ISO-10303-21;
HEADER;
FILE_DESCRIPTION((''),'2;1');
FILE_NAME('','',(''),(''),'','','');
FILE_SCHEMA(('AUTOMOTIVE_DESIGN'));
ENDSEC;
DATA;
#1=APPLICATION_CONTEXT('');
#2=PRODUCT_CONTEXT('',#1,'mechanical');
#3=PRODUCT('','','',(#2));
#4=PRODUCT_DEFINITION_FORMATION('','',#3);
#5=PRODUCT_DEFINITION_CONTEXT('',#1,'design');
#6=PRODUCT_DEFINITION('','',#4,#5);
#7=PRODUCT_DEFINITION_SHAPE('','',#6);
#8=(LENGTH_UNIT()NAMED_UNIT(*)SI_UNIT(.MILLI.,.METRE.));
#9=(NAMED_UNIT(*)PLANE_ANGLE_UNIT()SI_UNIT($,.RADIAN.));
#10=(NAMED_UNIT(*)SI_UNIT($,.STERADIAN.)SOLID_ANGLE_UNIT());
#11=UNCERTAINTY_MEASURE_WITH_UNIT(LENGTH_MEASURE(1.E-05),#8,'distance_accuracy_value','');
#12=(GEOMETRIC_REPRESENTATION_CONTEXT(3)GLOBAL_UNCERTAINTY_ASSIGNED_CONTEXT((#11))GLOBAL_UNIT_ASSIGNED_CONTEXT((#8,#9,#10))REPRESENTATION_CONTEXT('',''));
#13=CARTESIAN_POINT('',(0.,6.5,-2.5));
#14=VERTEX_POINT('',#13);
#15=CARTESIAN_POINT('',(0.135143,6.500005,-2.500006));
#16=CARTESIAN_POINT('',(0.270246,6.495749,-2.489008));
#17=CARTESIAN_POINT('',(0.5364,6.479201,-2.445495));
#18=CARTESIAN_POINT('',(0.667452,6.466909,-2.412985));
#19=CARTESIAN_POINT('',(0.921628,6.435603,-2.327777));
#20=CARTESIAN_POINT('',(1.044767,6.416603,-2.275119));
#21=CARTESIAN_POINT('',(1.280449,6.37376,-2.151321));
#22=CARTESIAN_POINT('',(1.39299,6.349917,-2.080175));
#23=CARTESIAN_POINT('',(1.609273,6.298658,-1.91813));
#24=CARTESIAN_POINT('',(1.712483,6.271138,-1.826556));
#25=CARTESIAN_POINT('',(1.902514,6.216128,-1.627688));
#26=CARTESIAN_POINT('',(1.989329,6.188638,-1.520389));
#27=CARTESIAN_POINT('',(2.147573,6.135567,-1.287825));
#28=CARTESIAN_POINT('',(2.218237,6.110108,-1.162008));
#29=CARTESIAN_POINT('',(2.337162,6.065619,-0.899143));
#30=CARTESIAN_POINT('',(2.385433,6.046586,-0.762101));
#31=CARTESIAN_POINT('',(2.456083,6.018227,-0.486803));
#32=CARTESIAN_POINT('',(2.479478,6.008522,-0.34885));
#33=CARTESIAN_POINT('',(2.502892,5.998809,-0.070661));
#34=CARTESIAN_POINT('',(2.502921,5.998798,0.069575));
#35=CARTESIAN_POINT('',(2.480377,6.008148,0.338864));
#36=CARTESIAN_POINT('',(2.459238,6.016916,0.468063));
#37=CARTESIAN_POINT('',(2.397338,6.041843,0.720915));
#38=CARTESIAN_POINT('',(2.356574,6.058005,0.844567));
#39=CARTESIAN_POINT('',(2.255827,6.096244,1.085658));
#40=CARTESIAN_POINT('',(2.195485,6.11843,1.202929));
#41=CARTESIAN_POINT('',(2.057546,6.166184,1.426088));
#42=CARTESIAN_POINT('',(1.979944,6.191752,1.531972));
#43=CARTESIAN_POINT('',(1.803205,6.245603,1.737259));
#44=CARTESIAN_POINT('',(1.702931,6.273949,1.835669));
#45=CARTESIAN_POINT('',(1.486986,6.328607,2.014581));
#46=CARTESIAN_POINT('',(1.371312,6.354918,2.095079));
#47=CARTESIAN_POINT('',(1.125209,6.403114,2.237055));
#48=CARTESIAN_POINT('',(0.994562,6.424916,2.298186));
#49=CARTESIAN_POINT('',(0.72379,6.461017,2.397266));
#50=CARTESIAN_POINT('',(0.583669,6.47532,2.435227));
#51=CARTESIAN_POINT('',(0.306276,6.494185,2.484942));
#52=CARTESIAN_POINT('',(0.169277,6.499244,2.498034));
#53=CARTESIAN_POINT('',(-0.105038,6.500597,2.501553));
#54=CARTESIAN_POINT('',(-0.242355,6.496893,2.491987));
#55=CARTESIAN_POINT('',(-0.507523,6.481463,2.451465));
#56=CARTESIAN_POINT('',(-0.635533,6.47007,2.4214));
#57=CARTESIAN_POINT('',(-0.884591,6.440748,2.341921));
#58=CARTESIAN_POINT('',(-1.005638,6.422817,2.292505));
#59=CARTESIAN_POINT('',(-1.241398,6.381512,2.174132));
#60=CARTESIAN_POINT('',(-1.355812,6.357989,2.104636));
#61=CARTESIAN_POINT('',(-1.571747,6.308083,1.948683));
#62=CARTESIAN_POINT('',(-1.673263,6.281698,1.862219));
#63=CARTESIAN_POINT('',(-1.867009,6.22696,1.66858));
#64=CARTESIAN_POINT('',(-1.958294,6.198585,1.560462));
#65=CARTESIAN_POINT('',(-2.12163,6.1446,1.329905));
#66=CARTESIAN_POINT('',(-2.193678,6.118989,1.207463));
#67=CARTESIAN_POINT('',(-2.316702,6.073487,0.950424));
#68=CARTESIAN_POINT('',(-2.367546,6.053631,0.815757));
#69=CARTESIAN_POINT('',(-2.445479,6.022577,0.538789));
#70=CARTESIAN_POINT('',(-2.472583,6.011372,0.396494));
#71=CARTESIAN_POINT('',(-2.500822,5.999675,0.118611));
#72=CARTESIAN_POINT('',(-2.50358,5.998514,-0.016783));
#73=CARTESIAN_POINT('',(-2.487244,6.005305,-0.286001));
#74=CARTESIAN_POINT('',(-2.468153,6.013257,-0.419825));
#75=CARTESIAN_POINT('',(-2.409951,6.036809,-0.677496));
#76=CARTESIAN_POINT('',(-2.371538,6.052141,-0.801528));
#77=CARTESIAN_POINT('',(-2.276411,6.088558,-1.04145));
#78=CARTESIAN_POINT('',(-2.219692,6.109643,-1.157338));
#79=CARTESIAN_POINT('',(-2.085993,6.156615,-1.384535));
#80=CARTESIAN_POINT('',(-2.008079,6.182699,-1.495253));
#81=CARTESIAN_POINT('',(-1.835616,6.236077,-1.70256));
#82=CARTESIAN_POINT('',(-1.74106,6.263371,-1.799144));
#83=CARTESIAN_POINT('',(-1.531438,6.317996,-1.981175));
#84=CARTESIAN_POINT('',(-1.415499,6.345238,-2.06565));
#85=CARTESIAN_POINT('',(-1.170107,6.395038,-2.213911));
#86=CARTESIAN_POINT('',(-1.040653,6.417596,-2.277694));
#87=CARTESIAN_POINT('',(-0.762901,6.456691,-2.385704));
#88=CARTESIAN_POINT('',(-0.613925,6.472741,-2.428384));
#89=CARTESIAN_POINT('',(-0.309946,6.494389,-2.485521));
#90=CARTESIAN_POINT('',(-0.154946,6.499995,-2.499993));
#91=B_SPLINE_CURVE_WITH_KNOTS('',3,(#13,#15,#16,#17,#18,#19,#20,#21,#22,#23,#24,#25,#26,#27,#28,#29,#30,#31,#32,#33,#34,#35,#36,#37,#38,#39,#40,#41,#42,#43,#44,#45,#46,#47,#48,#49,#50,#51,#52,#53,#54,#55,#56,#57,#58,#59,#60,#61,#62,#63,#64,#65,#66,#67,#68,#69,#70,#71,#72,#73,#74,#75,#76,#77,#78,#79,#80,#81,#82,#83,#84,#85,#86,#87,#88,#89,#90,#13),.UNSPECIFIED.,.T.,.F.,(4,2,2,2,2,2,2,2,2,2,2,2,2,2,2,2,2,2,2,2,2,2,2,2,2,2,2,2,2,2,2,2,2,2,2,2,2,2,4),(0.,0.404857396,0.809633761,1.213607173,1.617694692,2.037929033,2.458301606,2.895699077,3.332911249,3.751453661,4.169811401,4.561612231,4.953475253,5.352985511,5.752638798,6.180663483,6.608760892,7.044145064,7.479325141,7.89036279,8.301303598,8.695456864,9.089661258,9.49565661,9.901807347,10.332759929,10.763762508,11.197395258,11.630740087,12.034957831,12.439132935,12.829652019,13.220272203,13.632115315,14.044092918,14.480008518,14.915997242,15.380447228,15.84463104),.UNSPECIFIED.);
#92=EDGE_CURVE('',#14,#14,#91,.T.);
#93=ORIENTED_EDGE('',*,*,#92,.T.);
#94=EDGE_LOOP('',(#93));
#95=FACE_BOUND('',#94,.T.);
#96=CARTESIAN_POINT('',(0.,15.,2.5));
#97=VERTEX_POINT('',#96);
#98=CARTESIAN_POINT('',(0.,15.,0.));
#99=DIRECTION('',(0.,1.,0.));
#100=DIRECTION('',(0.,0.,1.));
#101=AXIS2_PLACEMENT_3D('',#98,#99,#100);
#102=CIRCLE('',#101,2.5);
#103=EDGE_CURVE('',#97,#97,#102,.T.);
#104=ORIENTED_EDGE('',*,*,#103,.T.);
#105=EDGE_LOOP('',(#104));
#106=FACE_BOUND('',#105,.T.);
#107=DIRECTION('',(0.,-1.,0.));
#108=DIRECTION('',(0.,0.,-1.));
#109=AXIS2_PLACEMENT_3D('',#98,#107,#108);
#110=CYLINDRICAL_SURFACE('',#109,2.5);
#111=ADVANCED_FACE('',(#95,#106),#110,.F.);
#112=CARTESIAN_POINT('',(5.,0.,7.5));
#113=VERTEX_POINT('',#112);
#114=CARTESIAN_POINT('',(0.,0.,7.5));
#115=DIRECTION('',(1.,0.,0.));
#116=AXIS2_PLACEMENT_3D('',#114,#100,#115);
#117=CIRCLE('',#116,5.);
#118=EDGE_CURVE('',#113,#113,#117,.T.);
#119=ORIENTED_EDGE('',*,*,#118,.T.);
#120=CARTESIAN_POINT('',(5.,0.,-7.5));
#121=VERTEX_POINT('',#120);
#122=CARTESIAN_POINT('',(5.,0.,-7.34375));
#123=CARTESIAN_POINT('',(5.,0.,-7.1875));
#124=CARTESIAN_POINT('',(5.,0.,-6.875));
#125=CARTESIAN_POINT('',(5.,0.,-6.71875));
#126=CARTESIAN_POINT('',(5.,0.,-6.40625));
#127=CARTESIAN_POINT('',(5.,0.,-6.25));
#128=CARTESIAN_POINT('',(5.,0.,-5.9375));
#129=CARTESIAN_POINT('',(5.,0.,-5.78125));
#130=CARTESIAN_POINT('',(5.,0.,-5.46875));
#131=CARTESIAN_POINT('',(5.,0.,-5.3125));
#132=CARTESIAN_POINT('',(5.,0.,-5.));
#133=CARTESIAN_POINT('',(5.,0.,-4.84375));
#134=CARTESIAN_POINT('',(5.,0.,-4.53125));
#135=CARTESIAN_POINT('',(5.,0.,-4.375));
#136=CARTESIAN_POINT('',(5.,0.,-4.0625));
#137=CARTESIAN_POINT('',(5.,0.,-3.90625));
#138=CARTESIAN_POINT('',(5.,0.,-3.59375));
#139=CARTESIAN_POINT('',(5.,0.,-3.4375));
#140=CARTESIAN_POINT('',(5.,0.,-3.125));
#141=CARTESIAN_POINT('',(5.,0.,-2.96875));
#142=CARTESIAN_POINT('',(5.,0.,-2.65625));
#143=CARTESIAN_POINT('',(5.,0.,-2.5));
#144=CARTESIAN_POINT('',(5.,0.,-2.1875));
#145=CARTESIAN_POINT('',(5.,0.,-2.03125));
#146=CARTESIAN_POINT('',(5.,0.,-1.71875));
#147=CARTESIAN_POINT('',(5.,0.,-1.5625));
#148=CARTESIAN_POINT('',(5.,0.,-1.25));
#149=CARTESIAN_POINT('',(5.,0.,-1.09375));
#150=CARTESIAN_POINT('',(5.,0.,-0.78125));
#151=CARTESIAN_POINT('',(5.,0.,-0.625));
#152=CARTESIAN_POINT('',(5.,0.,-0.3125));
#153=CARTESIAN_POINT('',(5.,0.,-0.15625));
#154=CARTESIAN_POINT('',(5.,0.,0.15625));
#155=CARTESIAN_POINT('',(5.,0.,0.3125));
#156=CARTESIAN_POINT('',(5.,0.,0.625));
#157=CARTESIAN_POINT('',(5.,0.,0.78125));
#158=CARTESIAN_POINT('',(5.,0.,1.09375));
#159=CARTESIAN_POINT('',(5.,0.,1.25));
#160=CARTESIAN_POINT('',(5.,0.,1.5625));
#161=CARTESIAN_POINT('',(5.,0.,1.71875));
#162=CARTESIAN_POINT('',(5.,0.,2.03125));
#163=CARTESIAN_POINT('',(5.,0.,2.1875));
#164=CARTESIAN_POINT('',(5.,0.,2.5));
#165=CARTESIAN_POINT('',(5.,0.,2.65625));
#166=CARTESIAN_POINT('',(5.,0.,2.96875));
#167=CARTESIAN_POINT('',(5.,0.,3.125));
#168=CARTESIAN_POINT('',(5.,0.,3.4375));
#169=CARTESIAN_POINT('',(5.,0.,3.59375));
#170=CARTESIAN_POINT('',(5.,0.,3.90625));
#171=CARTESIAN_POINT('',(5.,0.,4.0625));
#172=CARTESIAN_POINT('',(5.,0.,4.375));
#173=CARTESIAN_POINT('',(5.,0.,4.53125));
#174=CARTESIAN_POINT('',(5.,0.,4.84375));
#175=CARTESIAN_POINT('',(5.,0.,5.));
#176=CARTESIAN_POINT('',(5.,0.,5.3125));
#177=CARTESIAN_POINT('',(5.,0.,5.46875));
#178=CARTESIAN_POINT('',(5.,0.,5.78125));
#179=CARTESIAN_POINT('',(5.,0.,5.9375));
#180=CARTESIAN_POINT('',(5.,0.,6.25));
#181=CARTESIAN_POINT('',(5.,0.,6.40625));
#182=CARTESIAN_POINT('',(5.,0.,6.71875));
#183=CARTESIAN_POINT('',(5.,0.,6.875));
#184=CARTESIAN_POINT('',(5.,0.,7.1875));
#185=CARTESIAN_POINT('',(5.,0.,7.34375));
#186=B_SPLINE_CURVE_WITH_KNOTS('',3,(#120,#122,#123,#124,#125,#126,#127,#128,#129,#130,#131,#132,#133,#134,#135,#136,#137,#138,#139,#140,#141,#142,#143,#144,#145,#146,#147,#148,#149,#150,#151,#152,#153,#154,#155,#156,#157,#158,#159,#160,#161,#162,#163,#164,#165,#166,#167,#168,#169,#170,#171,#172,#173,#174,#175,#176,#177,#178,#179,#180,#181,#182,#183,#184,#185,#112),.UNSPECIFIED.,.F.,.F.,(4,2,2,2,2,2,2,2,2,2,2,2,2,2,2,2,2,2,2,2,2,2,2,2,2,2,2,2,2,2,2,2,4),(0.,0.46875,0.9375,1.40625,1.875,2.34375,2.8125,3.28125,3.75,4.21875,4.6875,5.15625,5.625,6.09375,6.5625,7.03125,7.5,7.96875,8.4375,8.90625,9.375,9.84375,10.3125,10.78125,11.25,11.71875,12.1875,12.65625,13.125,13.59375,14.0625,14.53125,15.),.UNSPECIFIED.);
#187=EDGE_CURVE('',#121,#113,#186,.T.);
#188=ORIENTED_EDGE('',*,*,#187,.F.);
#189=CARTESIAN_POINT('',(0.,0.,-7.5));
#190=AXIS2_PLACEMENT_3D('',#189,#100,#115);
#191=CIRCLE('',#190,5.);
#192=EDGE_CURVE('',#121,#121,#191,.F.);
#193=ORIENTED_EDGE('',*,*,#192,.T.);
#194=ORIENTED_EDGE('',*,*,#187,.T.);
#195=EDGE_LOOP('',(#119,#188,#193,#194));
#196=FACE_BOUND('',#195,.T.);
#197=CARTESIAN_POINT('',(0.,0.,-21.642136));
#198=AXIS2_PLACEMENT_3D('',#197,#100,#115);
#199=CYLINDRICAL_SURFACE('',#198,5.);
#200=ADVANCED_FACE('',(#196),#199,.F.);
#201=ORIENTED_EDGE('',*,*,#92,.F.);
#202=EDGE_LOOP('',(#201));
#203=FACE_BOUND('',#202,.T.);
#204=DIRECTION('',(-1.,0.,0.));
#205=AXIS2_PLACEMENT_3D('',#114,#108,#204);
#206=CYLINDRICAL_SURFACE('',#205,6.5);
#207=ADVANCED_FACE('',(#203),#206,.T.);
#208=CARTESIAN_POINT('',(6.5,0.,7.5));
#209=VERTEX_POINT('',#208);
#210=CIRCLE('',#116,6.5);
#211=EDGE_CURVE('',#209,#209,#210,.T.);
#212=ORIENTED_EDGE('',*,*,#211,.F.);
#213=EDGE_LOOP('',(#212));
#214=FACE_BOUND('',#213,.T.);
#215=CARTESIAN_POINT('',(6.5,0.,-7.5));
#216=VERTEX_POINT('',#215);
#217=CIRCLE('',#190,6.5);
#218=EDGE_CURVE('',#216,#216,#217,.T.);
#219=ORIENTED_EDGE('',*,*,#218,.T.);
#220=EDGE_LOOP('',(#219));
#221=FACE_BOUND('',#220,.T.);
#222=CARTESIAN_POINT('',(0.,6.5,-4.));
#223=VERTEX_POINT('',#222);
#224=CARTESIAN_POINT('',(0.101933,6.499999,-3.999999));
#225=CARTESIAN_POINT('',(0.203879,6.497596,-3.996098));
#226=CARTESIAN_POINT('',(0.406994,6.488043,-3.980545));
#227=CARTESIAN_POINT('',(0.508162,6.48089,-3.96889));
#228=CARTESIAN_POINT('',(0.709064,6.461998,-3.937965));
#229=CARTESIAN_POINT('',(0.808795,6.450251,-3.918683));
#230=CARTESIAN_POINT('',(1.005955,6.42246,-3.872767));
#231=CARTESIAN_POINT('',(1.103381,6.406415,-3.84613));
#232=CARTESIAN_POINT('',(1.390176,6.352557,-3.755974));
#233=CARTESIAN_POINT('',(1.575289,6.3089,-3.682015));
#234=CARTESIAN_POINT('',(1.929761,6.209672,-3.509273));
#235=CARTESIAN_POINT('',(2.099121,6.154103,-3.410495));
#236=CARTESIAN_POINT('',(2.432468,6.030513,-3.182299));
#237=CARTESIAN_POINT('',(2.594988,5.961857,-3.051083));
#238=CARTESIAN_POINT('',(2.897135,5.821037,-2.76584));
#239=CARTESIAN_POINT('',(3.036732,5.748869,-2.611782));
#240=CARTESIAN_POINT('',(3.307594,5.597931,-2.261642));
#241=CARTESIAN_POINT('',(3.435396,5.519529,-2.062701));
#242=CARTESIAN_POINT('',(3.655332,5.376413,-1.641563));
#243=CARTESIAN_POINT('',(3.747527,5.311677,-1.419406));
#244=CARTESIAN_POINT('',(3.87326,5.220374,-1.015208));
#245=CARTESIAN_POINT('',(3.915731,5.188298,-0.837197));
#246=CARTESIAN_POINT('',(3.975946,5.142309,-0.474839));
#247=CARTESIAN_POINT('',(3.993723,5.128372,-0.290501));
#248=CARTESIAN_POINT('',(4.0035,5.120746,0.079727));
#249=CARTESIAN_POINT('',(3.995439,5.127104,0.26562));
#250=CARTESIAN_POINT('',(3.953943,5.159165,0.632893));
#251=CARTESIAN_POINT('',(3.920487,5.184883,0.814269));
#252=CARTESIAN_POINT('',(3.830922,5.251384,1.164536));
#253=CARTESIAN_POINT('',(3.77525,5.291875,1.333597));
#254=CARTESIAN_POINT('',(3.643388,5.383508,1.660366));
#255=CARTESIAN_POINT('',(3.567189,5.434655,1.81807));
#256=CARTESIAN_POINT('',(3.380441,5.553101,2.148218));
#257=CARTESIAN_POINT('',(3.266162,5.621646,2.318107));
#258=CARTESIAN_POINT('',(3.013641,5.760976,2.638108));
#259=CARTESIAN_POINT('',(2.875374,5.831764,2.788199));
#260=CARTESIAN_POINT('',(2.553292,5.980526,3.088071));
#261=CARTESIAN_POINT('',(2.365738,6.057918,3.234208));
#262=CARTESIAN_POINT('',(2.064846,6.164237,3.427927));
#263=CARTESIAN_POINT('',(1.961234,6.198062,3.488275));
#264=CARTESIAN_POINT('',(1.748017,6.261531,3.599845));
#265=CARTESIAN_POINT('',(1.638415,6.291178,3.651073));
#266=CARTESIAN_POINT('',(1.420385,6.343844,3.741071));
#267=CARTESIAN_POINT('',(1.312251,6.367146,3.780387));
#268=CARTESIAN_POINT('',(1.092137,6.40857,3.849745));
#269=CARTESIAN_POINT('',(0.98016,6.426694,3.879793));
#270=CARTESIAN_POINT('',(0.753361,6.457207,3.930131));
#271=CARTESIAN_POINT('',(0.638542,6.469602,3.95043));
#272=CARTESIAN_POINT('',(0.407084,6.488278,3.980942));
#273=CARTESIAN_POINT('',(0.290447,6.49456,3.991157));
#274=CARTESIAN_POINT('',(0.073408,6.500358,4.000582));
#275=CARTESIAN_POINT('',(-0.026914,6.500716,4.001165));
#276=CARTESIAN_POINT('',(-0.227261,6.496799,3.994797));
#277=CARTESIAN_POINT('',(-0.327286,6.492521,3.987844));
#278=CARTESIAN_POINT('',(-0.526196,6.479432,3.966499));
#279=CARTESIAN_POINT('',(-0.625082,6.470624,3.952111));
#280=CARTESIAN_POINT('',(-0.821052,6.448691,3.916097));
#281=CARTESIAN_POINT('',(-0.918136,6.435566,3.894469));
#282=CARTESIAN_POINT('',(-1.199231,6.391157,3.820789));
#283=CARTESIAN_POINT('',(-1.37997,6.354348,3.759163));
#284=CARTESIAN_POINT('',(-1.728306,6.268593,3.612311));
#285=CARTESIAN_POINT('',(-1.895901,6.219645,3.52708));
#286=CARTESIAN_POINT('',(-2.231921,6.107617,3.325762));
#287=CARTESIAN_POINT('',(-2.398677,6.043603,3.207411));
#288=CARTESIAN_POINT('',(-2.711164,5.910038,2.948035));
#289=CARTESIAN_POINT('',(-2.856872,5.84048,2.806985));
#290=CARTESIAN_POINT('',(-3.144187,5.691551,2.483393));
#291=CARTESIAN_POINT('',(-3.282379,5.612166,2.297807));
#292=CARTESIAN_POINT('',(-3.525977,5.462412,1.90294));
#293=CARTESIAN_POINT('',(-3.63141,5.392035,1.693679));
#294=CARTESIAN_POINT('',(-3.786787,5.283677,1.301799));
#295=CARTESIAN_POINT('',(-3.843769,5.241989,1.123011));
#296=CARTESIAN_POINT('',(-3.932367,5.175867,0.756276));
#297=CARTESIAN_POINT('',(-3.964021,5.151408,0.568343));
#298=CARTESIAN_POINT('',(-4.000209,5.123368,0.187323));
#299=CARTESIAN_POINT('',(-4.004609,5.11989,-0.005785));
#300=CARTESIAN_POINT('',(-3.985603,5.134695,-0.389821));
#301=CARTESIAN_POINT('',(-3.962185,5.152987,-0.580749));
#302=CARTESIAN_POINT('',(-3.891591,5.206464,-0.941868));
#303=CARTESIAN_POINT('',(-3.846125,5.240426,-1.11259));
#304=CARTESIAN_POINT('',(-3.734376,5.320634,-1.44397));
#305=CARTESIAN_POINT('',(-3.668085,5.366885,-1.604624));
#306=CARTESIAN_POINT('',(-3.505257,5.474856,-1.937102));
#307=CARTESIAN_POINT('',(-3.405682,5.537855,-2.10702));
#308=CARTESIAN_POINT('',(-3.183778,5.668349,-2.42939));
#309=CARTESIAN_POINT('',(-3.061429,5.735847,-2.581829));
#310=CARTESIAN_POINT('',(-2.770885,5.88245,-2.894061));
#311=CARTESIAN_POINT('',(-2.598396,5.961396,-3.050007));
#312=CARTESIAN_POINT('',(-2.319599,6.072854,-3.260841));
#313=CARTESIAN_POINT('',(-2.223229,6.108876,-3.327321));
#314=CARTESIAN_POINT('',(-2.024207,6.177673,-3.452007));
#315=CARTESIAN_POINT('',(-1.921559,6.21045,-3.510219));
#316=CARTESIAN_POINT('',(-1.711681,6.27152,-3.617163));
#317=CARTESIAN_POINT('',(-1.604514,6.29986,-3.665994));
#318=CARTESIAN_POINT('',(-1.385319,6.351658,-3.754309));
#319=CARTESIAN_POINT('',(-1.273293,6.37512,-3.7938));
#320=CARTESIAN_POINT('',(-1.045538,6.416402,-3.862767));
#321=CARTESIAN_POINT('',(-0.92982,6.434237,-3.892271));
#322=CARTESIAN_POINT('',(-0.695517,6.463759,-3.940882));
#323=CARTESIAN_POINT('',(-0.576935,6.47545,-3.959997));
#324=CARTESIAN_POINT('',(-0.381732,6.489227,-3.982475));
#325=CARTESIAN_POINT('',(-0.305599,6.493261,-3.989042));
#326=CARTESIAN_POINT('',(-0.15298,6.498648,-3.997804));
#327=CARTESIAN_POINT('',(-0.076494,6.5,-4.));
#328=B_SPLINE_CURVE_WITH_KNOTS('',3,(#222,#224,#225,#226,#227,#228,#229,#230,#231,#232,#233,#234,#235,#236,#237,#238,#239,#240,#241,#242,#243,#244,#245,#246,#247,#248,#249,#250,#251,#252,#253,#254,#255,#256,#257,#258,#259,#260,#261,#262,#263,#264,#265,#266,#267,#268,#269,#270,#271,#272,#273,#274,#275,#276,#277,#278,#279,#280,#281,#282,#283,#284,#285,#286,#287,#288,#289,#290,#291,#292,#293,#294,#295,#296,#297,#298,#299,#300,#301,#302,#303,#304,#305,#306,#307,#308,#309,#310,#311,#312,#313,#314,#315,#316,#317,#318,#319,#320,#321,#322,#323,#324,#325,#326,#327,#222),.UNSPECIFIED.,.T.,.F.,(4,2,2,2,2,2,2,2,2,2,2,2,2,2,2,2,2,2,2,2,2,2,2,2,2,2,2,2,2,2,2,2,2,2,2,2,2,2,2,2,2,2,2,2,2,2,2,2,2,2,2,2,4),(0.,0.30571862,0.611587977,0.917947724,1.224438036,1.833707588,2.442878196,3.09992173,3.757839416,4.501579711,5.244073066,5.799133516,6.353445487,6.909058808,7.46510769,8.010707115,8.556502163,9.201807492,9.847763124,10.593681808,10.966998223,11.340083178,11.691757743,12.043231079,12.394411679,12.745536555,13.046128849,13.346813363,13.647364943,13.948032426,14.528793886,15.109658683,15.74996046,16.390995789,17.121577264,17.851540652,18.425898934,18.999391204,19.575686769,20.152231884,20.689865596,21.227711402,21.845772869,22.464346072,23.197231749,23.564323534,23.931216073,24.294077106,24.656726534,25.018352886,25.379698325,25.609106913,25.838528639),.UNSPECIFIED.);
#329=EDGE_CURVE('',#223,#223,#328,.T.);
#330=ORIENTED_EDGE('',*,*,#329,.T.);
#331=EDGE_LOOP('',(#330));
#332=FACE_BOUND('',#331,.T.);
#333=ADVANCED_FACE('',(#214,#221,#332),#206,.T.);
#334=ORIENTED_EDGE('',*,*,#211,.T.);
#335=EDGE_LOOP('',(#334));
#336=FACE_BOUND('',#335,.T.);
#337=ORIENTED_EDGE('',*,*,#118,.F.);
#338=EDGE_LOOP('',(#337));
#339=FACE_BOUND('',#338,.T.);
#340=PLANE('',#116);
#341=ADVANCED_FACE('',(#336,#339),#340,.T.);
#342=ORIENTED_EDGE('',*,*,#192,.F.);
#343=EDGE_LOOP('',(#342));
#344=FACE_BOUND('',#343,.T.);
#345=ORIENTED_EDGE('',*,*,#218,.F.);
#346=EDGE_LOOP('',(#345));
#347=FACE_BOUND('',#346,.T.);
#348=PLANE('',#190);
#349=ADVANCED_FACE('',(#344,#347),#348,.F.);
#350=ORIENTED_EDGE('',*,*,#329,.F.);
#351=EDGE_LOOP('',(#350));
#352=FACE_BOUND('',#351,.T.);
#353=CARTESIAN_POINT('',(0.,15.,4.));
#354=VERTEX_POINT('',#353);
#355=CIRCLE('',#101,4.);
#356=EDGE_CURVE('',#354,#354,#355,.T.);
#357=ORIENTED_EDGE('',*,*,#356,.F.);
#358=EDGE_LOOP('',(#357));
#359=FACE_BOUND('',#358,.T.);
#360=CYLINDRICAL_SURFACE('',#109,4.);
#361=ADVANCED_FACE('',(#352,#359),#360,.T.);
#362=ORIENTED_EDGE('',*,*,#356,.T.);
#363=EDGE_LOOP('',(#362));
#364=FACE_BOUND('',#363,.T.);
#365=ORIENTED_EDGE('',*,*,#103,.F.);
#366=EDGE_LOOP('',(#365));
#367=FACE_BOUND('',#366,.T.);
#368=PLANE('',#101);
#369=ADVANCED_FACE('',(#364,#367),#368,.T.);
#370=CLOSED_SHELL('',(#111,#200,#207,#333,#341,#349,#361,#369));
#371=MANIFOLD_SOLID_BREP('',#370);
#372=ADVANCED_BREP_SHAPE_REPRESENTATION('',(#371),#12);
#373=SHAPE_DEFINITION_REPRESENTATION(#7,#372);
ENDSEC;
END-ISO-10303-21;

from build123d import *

# Parameters (mm, degrees)
SKETCH1_R           = 4
SKETCH1_R_2         = 2.5
BOSS_EXTRUDE1_DEPTH = 15
SKETCH2_R           = 6.5
BOSS_EXTRUDE3_DEPTH = 7.5
SKETCH3_R           = 5
CUT_EXTRUDE1_DEPTH  = 15


with BuildPart() as part:
    # Sketch1 → Boss-Extrude1 (new body)
    with BuildSketch(Plane(origin=(0, 0, 0), x_dir=(1, 0, 0), z_dir=(0, 1, 0))):
        with Locations(Location((0, 0, 0), (0, 0, 270))):
            Circle(SKETCH1_R)
        with Locations(Location((0, 0, 0), (0, 0, 270))):
            Circle(SKETCH1_R_2, mode=Mode.SUBTRACT)
    extrude(amount=BOSS_EXTRUDE1_DEPTH)

    # Sketch2 → Boss-Extrude3 (add, symmetric)
    with BuildSketch(Plane.XY):
        Circle(SKETCH2_R)
    extrude(amount=BOSS_EXTRUDE3_DEPTH, both=True)

    # Sketch3 → Cut-Extrude1 (cut)
    with BuildSketch(Plane.XY.offset(7.5)):
        Circle(SKETCH3_R)
    extrude(amount=-CUT_EXTRUDE1_DEPTH, mode=Mode.SUBTRACT)


solid = part.part
